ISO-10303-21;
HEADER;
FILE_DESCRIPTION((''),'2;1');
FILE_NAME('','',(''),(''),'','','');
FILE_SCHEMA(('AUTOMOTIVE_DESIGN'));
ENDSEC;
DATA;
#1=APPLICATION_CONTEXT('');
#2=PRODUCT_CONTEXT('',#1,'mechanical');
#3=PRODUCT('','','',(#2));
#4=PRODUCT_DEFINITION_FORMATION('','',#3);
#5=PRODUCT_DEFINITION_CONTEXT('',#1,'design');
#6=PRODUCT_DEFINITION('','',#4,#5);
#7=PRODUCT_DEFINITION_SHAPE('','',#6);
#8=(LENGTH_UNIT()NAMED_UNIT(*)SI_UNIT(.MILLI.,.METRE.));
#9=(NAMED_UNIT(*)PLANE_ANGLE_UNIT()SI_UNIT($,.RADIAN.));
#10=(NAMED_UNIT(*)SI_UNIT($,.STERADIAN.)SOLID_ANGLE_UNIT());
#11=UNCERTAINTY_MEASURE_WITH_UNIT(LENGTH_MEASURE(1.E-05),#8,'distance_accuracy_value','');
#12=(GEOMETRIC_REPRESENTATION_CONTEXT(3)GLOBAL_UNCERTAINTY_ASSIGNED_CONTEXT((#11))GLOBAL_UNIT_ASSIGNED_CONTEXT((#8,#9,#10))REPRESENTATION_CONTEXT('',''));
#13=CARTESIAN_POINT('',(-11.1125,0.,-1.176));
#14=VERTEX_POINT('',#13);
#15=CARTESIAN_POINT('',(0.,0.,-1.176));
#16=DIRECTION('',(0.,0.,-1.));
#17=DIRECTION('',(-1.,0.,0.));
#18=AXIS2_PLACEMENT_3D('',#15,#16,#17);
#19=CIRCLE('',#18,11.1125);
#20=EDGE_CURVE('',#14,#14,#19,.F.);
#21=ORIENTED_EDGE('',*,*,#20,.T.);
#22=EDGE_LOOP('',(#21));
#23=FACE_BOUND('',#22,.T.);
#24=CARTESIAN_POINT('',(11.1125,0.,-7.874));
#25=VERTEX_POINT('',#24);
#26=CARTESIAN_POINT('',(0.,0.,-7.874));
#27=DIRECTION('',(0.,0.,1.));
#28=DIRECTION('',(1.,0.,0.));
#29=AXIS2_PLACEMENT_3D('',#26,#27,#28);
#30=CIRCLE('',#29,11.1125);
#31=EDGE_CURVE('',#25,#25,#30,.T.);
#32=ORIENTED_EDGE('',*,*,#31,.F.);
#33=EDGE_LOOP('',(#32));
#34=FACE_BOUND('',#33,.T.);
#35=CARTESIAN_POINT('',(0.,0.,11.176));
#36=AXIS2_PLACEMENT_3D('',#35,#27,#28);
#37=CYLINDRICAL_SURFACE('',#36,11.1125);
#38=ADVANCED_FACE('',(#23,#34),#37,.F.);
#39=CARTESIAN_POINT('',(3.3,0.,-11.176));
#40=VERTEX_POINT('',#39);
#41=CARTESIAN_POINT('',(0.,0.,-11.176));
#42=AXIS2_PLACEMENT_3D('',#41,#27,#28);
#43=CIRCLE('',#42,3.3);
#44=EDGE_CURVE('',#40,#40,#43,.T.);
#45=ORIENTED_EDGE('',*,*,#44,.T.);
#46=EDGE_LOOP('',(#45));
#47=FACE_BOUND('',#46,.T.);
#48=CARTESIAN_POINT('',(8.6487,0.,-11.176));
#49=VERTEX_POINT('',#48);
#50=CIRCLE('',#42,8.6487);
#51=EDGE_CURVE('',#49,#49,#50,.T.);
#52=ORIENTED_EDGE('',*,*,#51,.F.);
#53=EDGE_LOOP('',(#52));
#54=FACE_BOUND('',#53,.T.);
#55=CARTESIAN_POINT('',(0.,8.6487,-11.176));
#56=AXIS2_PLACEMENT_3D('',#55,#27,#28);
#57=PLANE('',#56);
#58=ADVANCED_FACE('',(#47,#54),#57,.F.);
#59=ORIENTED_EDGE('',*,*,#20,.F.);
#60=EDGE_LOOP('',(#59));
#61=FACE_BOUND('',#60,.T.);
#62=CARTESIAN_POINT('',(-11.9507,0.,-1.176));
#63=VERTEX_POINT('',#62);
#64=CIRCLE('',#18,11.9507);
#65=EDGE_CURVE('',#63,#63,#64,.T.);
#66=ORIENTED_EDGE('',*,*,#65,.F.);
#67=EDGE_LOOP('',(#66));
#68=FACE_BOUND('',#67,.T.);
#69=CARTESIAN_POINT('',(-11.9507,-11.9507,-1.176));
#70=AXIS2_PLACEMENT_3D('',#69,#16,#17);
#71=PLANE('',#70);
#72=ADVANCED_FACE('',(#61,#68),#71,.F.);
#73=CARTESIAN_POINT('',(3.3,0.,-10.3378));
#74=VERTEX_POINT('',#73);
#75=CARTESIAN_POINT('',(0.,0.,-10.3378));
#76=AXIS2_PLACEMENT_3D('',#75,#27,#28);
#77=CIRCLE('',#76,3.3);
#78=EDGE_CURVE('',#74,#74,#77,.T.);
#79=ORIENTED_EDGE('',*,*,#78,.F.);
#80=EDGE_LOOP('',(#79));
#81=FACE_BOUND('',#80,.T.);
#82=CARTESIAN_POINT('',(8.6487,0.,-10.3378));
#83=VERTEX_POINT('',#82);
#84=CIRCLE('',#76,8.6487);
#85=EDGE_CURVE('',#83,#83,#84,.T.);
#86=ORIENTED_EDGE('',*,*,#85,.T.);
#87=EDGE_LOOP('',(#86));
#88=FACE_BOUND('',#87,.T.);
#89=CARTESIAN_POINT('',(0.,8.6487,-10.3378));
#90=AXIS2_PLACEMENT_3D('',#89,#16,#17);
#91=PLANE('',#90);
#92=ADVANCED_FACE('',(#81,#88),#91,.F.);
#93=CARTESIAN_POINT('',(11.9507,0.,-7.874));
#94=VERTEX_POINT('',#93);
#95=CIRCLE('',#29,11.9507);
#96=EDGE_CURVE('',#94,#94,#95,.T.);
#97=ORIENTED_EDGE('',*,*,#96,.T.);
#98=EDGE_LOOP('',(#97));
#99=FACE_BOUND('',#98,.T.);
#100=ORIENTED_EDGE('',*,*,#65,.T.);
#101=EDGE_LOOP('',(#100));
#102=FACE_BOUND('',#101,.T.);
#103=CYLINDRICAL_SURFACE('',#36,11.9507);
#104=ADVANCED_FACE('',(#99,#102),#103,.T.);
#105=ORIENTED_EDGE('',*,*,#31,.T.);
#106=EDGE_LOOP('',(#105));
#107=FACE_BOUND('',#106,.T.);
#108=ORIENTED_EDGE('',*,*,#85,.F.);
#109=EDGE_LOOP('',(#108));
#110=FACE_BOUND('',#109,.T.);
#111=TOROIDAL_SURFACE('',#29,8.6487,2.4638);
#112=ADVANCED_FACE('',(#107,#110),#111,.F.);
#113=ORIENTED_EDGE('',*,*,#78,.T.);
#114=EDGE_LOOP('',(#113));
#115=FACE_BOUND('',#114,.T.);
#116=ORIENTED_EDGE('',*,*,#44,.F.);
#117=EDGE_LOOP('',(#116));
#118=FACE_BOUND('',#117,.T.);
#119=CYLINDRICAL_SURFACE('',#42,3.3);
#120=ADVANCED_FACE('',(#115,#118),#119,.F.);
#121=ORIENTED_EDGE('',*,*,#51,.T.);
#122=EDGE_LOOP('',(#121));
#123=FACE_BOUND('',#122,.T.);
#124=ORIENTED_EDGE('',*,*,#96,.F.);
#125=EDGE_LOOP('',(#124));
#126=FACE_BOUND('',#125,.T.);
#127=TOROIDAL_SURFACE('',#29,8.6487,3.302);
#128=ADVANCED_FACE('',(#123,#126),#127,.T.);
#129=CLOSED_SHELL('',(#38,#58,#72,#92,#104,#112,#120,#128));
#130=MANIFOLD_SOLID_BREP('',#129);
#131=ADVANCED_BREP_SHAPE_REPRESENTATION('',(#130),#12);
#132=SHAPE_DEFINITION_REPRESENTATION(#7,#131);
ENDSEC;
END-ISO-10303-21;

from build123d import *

# Parameters (mm, degrees)
CUT_EXTRUDE1_DEPTH      = 21.261822212
CUT_EXTRUDE1_DEPTH_BACK = 21.261822212
SKETCH2_W               = 23.9014
SKETCH2_H               = 12.352
SKETCH3_R               = 3.3
CUT_EXTRUDE2_DEPTH      = 20.224386664


with BuildPart() as part:
    # Sketch1 → Revolve1 (revolve)
    with BuildSketch(Plane(origin=(0, 0, 0), x_dir=(0, 0, -1), z_dir=(1, 0, 0)), mode=Mode.PRIVATE) as revolve1_sk:
        with BuildLine():
            Line((-11.176, 11.9507), (-11.176, 11.1125))
            Line((-11.176, 11.1125), (7.874, 11.1125))
            ThreePointArc((7.874, 11.1125), (9.616169687, 10.390869687), (10.3378, 8.6487))
            Line((10.3378, 8.6487), (10.3378, 0))
            Line((10.3378, 0), (11.176, 0))
            Line((11.176, 0), (11.176, 8.6487))
            ThreePointArc((11.176, 8.6487), (10.208866591, 10.983566591), (7.874, 11.9507))
            Line((7.874, 11.9507), (-11.176, 11.9507))
        make_face()
    revolve(revolve1_sk.sketch.rotate(Axis((0, 0, 11.176), (0, 0, -1)), 90), axis=Axis((0, 0, 11.176), (0, 0, -1)))

    # Sketch2 → Cut-Extrude1 (cut, two sides: drawn at the far end of the back side and taken through both)
    with BuildSketch(Plane(origin=(0, 0, 0), x_dir=(1, 0, 0), z_dir=(0, 1, 0)).offset(-CUT_EXTRUDE1_DEPTH_BACK)):
        with Locations((0, -5)):
            Rectangle(SKETCH2_W, SKETCH2_H)
    extrude(amount=CUT_EXTRUDE1_DEPTH + CUT_EXTRUDE1_DEPTH_BACK, mode=Mode.SUBTRACT)

    # Sketch3 → Cut-Extrude2 (cut, through all)
    with BuildSketch(Plane.XY.offset(-10.3378)):
        Circle(SKETCH3_R)
    extrude(amount=-CUT_EXTRUDE2_DEPTH, mode=Mode.SUBTRACT)


solid = part.part
